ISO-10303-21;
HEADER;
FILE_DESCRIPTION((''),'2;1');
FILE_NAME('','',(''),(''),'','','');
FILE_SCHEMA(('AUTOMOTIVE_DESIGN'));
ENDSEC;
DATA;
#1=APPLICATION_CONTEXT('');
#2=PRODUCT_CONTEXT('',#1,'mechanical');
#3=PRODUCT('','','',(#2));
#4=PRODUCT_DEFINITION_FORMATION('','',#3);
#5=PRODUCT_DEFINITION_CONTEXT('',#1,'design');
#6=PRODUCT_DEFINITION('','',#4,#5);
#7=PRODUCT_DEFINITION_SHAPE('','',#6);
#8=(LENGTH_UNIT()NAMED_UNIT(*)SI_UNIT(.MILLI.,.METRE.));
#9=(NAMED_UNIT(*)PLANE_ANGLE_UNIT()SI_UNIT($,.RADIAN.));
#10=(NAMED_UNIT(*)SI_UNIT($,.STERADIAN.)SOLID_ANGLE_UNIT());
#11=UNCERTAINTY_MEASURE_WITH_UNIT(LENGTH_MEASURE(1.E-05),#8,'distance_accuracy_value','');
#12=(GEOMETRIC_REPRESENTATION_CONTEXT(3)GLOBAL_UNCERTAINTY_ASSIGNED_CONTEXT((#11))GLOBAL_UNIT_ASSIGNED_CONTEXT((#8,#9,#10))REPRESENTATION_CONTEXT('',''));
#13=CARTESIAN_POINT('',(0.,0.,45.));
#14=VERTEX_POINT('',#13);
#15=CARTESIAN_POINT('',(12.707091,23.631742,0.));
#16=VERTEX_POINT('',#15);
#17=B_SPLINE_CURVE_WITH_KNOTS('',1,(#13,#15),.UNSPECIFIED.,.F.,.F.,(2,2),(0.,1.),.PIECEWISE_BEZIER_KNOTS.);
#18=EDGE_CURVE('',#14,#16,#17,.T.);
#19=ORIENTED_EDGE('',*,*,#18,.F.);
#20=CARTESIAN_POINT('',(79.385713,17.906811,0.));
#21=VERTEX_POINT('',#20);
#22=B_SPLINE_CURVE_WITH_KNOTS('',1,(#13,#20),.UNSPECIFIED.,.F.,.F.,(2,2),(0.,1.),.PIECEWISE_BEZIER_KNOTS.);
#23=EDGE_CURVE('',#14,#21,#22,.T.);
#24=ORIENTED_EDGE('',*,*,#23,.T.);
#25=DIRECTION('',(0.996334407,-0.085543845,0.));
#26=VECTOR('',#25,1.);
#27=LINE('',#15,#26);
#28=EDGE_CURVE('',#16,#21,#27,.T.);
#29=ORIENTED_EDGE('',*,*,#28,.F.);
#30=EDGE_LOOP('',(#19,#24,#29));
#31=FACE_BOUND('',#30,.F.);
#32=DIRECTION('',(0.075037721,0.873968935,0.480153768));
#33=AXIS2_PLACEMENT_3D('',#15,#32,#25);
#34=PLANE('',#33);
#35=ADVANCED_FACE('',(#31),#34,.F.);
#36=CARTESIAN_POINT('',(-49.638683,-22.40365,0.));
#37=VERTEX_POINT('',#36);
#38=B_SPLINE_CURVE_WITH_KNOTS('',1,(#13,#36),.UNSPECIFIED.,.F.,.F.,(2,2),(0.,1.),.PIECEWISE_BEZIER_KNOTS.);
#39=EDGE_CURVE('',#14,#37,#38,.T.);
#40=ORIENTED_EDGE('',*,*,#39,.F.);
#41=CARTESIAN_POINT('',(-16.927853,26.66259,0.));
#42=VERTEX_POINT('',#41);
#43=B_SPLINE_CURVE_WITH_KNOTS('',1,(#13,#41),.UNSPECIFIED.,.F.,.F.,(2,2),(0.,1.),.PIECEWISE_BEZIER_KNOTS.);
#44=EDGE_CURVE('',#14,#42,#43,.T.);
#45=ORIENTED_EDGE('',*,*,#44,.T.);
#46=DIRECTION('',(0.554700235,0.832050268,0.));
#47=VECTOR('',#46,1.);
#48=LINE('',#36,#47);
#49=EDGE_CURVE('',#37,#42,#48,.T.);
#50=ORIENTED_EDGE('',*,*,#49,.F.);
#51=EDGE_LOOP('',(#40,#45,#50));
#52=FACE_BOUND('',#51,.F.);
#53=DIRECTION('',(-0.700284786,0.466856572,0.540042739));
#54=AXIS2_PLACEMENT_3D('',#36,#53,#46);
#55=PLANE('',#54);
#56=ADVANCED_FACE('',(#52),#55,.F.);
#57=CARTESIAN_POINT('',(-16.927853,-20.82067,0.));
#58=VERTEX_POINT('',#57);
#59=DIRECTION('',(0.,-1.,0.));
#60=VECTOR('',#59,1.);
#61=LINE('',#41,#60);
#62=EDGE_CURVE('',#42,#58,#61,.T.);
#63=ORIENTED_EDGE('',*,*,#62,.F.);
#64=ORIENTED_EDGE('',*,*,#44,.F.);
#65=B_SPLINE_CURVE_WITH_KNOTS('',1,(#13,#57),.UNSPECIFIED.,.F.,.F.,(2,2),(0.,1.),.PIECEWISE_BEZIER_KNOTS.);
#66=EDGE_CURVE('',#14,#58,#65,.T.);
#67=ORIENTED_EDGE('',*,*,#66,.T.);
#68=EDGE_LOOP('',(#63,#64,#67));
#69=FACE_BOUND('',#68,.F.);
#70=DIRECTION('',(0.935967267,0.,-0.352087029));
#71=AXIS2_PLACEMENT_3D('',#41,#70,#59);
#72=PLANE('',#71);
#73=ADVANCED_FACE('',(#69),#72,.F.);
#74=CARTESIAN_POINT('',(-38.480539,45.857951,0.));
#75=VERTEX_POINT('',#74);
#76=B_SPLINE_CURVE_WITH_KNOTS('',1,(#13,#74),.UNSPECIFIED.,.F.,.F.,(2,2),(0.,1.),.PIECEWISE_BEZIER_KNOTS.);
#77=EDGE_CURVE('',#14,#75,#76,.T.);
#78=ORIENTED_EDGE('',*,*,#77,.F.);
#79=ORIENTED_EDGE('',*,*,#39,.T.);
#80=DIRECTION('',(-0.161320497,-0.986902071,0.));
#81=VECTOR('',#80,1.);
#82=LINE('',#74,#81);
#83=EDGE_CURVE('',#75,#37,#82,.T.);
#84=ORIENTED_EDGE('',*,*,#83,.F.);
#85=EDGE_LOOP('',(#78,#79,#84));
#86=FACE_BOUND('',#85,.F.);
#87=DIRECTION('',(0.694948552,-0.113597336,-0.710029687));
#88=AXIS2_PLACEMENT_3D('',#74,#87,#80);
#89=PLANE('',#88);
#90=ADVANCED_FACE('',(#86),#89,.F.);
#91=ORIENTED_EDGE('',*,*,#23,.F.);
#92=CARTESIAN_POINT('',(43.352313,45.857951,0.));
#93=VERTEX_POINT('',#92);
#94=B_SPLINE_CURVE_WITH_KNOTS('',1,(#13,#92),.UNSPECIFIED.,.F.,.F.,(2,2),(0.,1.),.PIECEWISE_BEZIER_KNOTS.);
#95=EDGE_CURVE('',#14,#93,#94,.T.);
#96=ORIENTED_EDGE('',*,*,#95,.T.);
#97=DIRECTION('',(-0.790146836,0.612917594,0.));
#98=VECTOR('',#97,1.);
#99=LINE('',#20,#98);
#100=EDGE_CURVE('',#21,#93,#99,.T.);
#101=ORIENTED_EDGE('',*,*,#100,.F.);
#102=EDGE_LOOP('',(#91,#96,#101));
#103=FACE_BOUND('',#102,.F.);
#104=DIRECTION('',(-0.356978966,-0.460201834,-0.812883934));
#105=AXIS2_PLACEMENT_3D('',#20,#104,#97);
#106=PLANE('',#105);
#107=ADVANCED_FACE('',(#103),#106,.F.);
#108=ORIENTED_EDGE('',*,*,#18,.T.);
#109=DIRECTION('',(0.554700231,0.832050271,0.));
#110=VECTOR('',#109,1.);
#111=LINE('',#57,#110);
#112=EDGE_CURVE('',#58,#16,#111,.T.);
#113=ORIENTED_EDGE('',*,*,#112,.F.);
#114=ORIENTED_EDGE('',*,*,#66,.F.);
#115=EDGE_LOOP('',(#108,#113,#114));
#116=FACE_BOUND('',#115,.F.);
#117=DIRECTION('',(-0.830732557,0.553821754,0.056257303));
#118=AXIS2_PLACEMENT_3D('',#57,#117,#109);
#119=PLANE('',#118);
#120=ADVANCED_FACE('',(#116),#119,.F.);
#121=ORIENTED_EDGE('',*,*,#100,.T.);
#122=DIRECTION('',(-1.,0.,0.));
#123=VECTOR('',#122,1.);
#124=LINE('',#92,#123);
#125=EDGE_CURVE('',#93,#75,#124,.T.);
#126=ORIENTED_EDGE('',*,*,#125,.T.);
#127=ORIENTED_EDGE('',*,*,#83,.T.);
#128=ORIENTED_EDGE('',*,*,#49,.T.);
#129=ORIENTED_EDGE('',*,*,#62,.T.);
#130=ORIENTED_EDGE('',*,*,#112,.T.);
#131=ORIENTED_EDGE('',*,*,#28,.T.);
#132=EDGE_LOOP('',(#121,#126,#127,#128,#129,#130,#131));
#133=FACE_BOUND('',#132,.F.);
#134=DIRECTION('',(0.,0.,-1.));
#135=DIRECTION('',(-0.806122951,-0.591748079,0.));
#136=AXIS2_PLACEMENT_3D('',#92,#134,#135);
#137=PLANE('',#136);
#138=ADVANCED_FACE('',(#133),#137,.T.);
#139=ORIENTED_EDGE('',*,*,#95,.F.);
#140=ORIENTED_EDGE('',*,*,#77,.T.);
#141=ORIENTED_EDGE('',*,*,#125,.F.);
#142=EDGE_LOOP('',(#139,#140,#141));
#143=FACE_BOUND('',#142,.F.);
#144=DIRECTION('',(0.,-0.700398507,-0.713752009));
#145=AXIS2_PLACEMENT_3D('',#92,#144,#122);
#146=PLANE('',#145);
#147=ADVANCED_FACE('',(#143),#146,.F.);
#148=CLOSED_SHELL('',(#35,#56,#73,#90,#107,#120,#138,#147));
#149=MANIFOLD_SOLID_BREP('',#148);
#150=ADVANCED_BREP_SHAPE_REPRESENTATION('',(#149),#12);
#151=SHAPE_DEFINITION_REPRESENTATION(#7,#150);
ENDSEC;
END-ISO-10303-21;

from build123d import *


with BuildPart() as f3:
    # F0 (on Top) → F3 section 0
    with BuildSketch(Plane.XY, mode=Mode.PRIVATE) as f3_s0:
        Polygon((43.352313, 45.857951), (-38.480539, 45.857951), (-49.638683, -22.40365), (-16.927853, 26.66259), (-16.927853, -20.82067), (12.707091, 23.631742), (79.385713, 17.906811), align=None)
    loft([Vertex(0, 0, 45), f3_s0.sketch])


solid = f3.part
